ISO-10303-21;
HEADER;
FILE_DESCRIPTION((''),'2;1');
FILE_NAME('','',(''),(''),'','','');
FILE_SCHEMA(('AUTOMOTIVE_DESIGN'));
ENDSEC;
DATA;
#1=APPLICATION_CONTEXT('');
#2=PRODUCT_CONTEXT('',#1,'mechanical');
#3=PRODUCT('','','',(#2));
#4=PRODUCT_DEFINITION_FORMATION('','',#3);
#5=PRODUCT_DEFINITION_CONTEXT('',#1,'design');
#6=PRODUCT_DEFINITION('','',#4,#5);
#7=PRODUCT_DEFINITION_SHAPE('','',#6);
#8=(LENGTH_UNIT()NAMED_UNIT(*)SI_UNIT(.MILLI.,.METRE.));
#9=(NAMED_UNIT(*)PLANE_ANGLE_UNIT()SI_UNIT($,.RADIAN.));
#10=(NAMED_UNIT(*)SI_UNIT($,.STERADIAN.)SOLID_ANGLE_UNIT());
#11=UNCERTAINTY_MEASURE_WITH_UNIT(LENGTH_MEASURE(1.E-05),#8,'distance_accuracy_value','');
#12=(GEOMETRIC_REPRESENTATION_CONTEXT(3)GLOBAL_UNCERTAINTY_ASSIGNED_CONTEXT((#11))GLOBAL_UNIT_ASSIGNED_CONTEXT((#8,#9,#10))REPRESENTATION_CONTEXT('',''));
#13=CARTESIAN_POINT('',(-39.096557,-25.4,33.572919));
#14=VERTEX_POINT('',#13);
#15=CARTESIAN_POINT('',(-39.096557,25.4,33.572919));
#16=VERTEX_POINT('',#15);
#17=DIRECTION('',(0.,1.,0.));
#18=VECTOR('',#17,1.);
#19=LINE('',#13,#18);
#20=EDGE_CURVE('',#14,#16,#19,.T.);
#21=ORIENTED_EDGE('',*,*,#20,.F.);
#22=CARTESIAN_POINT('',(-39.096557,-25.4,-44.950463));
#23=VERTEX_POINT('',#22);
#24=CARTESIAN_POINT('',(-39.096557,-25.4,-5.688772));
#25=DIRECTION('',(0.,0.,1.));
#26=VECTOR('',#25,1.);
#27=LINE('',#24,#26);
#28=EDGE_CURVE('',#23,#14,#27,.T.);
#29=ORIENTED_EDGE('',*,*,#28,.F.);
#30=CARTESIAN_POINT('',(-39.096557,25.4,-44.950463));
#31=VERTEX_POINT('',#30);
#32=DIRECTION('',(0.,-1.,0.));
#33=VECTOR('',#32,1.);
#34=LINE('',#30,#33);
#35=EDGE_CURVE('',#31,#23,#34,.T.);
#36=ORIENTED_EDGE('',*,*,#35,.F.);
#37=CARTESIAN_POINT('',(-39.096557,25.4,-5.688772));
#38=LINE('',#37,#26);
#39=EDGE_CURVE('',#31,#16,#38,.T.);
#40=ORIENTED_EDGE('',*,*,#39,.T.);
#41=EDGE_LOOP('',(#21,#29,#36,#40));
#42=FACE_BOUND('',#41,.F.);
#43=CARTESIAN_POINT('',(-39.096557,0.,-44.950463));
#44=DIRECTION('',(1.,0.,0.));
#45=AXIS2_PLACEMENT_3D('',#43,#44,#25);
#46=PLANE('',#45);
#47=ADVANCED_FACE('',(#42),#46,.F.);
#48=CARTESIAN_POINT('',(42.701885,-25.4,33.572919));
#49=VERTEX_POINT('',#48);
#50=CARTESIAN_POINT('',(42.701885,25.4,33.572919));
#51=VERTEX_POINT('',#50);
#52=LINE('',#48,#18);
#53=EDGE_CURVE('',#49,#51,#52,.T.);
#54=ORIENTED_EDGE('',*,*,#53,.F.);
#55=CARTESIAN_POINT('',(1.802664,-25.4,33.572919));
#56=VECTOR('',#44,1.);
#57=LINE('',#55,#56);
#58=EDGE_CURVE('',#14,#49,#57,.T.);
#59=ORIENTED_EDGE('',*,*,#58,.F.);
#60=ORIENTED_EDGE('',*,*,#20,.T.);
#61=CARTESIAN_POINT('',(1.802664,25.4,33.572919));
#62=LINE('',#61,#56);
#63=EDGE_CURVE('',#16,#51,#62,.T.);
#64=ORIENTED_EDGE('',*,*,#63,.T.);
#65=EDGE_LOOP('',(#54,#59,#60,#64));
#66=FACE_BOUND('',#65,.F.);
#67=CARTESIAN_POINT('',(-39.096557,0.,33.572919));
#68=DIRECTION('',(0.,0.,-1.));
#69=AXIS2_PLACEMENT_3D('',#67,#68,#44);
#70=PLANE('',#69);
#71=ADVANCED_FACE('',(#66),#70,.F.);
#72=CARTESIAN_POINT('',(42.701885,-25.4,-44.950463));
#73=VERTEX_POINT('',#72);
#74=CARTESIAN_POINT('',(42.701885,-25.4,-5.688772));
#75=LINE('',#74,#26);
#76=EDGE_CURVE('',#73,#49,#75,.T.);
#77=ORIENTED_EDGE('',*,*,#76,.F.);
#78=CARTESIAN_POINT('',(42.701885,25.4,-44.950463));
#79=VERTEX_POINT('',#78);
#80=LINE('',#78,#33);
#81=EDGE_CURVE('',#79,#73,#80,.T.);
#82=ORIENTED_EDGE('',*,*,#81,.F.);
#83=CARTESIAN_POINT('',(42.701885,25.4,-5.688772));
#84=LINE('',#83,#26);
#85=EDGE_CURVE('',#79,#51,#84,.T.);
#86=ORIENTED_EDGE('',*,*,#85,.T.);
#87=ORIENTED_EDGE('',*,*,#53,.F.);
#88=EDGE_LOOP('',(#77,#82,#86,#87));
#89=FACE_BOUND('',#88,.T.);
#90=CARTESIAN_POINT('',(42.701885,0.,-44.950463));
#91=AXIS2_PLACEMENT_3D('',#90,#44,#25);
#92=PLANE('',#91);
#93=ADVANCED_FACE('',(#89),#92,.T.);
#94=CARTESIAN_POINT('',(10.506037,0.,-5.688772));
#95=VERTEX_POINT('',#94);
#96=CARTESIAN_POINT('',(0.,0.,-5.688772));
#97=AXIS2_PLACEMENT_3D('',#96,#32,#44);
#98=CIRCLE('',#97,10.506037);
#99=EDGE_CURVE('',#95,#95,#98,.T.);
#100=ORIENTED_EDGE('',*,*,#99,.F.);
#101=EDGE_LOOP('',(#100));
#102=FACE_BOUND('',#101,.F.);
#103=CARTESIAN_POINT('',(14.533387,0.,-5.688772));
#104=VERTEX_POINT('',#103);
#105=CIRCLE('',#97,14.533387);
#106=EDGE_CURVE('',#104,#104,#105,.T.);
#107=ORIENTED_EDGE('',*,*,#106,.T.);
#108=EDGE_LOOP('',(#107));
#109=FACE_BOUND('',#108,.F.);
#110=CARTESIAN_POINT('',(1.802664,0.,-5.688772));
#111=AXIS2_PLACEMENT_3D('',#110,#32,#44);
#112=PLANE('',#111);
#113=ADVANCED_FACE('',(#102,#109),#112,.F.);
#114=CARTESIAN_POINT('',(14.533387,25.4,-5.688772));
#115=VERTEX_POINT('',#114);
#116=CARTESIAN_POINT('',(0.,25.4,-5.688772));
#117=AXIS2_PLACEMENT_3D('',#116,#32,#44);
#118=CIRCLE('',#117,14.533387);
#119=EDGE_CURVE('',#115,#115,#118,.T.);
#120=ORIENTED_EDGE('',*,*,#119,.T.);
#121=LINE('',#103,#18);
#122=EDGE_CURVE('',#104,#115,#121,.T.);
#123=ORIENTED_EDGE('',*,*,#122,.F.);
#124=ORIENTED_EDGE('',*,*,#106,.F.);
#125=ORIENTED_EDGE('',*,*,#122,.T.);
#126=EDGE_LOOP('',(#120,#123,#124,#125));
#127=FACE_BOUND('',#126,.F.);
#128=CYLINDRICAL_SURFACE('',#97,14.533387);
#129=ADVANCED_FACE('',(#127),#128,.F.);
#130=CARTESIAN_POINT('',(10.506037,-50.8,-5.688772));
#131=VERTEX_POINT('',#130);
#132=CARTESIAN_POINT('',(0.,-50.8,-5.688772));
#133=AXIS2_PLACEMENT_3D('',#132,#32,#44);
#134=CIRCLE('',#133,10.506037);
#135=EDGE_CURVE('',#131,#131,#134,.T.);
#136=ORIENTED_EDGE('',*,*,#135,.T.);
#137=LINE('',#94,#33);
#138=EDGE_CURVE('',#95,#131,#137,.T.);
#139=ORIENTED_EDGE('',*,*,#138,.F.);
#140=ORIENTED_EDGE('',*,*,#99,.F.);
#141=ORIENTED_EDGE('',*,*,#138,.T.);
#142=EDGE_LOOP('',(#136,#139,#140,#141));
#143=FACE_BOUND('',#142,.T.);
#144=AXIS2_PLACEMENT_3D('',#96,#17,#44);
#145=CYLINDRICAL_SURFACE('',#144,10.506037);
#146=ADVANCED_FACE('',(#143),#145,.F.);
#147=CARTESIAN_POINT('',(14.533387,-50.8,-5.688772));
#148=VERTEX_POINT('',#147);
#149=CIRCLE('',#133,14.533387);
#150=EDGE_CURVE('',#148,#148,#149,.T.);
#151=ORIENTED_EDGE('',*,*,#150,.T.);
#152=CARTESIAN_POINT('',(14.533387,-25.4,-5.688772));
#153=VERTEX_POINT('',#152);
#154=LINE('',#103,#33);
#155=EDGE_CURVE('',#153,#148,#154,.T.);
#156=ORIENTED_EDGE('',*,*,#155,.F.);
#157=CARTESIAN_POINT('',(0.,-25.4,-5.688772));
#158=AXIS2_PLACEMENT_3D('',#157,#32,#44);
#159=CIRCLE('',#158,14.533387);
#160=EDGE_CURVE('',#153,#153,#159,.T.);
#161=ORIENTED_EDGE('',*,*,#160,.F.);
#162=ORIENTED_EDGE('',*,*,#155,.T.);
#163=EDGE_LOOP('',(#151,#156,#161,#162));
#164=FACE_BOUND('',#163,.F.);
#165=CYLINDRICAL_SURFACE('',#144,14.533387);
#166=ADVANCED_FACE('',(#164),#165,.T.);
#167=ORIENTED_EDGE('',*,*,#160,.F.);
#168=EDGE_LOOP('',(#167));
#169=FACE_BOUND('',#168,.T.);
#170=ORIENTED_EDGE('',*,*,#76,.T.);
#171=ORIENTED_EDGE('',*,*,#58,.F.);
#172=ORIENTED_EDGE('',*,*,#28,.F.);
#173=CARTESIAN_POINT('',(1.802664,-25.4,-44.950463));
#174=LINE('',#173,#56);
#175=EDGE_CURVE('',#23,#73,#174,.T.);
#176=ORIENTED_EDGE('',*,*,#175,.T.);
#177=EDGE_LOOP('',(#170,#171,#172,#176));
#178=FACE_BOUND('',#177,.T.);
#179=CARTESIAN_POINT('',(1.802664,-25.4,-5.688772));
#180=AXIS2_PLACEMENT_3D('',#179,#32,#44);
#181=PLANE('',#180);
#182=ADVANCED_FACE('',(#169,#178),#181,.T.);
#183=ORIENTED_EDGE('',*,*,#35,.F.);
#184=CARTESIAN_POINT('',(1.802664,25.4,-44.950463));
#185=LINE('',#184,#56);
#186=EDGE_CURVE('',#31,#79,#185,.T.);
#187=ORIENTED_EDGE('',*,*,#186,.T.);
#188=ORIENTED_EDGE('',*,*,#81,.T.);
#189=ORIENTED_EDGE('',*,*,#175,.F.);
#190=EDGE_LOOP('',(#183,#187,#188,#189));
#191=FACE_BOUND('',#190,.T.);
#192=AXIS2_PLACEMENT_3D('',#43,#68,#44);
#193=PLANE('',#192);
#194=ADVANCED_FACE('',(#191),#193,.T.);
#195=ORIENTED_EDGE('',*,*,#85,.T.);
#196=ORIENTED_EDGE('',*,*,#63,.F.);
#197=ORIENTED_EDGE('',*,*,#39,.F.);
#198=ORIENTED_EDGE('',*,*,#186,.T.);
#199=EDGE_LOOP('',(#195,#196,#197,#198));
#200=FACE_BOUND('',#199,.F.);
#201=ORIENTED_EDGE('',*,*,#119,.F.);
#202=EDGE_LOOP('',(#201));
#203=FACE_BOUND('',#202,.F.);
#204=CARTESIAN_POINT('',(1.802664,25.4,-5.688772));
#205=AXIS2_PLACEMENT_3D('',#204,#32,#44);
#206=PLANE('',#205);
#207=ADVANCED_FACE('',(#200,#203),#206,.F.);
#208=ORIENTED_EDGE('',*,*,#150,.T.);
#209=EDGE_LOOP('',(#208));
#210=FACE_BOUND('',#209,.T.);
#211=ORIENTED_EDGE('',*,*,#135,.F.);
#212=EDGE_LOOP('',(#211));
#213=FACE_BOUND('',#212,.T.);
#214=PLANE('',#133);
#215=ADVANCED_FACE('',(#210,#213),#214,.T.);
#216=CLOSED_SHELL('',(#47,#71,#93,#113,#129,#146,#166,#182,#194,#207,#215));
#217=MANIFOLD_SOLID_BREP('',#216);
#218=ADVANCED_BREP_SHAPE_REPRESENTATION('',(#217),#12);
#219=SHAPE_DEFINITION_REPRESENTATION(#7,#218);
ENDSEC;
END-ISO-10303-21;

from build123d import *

# Parameters (mm, degrees)
F0_R     = 14.533387
F0_R_2   = 10.506037
F1_DEPTH = 50.8
F0_W     = 81.798442
F0_H     = 78.523383
F2_DEPTH = 25.4
F3_DEPTH = 25.4


with BuildPart() as f1:
    # F0 (on Front) → F1 (new body)
    with BuildSketch(Plane.XZ):
        with Locations((0, -5.688772)):
            Circle(F0_R)
        with Locations((0, -5.688772)):
            Circle(F0_R_2, mode=Mode.SUBTRACT)
    extrude(amount=F1_DEPTH)

    # F0 (on Front) → F2 (join)
    with BuildSketch(Plane.XZ):
        with Locations((1.802664, -5.688772)):
            Rectangle(F0_W, F0_H)
        with Locations((0, -5.688772)):
            Circle(F0_R, mode=Mode.SUBTRACT)
    extrude(amount=F2_DEPTH)

    # F0 (on Front) → F3 (join)
    with BuildSketch(Plane.XZ):
        with Locations((1.802664, -5.688772)):
            Rectangle(F0_W, F0_H)
        with Locations((0, -5.688772)):
            Circle(F0_R, mode=Mode.SUBTRACT)
    extrude(amount=-F3_DEPTH)


solid = f1.part
